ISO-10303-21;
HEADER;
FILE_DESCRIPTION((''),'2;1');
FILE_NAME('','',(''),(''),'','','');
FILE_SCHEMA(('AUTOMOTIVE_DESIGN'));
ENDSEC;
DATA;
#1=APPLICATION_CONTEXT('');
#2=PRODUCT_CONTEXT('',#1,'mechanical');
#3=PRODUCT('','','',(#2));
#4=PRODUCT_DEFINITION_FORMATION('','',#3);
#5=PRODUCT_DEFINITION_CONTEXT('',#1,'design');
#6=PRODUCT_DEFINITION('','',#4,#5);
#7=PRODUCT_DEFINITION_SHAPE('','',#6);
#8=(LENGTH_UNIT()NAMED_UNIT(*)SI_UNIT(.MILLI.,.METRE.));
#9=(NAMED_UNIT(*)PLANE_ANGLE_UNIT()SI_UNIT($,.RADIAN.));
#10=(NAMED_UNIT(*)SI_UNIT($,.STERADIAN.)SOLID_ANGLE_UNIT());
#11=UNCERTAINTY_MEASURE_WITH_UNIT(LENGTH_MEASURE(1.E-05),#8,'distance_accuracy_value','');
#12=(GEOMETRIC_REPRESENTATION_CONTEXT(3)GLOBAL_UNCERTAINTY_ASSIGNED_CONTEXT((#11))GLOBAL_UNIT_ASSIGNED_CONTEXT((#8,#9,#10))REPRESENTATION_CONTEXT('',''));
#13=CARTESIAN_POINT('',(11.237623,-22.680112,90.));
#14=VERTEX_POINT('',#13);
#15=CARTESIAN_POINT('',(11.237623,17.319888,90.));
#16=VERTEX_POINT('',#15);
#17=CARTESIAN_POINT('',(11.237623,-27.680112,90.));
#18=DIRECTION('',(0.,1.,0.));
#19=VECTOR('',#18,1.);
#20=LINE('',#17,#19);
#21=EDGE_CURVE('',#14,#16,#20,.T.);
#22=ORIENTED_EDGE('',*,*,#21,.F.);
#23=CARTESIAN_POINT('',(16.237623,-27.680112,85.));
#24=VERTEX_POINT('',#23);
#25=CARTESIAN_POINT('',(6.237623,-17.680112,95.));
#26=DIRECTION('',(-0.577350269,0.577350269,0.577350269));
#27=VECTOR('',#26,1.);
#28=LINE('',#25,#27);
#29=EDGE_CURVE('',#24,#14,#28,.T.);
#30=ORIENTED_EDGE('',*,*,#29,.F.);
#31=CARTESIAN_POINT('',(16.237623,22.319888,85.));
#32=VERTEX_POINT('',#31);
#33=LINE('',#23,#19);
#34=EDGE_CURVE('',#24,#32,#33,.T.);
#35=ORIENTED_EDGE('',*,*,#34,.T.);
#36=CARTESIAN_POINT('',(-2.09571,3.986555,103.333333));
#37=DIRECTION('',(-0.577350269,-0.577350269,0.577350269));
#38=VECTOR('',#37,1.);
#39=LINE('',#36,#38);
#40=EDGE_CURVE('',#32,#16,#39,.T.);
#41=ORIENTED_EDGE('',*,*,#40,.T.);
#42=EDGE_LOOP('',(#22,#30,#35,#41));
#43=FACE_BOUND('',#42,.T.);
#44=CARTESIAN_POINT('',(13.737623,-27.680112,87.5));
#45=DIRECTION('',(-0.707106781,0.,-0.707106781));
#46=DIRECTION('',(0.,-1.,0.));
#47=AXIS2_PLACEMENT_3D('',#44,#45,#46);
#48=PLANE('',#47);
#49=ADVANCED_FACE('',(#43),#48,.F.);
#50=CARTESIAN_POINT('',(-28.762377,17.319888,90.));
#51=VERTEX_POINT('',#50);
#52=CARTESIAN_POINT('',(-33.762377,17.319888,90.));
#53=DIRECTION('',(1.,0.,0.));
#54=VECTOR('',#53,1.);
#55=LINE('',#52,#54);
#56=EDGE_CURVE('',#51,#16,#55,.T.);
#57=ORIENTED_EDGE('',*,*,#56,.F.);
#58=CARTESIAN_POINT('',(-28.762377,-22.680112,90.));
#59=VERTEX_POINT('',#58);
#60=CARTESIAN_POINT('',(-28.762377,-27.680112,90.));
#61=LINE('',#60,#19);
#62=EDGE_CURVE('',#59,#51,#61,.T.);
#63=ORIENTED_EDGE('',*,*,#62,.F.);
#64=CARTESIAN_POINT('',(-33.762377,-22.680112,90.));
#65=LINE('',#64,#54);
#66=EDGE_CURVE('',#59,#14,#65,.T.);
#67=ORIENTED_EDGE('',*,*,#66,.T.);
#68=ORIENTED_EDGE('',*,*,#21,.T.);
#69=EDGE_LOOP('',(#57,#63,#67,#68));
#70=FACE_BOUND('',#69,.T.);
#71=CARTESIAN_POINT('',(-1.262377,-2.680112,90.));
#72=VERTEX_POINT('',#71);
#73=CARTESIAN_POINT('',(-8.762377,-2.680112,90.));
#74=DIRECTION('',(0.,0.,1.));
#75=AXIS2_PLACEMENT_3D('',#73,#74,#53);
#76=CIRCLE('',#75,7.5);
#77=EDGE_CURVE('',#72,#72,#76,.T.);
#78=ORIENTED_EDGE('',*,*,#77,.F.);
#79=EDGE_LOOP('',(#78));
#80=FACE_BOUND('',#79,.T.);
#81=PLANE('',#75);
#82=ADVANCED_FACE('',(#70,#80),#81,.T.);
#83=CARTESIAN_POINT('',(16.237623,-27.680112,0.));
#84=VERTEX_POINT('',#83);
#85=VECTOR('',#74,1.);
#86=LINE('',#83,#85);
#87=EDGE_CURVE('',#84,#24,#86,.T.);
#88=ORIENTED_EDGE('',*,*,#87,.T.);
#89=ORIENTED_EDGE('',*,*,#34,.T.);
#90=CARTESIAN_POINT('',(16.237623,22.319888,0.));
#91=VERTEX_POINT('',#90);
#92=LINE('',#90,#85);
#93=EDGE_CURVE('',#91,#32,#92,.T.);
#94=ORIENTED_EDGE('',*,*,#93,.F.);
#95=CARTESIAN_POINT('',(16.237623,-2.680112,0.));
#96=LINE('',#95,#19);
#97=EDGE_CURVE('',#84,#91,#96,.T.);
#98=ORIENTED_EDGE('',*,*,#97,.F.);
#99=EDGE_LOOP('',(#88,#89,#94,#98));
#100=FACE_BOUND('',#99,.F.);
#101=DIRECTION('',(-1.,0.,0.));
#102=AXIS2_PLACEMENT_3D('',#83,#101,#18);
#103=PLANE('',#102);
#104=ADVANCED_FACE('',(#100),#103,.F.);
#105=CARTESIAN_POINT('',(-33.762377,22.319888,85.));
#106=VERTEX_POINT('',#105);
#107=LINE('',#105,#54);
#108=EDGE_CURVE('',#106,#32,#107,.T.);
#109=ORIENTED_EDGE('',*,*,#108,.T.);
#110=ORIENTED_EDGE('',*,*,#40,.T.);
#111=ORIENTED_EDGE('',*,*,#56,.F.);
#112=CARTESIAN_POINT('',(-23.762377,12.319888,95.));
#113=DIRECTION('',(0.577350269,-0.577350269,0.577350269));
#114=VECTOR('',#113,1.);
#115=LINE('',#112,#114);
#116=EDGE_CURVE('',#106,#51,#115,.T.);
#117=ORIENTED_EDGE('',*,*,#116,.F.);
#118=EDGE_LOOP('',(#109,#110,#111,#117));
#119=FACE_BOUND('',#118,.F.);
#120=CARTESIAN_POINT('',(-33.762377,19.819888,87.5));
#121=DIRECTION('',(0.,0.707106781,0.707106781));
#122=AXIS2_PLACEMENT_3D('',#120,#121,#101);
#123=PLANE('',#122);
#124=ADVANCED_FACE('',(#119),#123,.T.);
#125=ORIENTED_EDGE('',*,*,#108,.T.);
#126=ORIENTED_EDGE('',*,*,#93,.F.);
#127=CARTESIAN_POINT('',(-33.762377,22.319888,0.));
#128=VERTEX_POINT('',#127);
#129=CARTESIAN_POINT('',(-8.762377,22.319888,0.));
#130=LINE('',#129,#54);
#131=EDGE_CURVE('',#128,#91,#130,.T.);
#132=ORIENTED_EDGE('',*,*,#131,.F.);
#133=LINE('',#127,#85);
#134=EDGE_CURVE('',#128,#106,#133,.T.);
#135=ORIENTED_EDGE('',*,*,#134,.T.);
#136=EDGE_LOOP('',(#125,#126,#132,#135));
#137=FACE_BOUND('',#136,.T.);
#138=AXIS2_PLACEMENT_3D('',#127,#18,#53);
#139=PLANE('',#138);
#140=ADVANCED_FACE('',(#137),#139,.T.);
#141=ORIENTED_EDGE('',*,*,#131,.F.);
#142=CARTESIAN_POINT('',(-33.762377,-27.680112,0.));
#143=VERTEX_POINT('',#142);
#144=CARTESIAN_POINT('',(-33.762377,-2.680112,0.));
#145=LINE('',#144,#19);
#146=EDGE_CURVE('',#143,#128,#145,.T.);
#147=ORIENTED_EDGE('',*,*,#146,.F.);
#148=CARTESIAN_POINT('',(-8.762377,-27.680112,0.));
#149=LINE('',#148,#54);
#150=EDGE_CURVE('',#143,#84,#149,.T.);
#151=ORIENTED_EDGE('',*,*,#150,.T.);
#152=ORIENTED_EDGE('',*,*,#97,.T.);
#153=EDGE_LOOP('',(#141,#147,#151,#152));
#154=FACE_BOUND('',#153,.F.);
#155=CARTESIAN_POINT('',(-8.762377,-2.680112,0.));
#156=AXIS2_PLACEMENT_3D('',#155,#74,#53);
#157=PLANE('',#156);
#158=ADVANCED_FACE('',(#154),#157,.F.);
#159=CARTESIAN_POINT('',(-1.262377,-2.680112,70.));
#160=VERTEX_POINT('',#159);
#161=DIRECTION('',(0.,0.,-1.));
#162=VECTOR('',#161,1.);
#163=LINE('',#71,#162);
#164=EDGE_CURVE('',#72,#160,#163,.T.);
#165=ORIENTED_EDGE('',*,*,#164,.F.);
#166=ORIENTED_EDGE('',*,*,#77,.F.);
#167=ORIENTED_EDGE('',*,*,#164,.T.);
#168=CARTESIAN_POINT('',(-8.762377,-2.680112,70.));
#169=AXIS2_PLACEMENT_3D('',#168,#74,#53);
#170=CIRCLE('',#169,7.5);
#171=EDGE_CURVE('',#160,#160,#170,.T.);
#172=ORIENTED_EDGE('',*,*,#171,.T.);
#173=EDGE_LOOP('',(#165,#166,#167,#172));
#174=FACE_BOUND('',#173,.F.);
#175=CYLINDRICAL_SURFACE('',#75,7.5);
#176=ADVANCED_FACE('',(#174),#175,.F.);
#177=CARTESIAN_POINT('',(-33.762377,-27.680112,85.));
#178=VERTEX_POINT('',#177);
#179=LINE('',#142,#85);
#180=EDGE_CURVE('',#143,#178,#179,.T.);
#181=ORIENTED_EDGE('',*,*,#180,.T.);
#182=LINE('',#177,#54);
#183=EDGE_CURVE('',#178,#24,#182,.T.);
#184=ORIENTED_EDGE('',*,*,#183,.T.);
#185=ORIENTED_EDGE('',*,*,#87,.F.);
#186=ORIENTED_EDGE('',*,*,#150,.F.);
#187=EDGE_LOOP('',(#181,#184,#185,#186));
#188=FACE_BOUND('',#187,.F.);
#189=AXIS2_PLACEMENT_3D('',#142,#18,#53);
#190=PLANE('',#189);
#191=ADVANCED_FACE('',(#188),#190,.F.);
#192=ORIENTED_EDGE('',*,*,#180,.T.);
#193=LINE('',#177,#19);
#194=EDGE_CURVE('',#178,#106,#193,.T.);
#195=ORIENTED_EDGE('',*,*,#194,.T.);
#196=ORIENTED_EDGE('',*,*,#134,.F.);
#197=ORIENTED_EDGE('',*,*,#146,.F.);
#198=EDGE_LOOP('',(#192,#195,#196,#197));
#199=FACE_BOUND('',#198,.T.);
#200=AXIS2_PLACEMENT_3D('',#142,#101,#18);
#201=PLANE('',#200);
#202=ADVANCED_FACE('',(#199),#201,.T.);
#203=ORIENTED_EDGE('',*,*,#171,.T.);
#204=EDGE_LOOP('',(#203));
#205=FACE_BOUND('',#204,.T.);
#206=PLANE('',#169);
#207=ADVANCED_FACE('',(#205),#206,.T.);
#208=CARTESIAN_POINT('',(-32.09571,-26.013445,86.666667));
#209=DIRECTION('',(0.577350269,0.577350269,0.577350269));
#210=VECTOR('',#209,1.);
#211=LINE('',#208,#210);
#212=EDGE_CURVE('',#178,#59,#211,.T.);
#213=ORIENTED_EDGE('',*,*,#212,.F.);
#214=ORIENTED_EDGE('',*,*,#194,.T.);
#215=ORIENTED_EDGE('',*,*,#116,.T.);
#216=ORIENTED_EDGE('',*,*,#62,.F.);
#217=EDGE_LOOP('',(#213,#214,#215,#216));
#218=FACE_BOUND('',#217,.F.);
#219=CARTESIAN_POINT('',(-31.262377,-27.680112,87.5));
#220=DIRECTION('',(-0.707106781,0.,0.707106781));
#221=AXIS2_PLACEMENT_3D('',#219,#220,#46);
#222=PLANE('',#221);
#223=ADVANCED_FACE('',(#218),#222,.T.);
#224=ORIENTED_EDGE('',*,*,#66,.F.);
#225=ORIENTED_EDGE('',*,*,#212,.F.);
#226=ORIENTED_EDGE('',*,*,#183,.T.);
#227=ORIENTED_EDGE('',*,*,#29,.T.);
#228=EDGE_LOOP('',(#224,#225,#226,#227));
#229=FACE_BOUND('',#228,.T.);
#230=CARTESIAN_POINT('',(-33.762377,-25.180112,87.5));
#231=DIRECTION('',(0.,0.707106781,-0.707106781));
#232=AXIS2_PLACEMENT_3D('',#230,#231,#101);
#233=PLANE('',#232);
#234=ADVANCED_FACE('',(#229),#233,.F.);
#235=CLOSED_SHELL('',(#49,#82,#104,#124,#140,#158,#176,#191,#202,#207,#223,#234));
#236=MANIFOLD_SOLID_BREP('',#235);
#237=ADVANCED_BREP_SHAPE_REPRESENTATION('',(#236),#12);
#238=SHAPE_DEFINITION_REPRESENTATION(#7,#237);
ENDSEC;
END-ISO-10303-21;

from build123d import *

# Parameters (mm, degrees)
F0_W     = 50
F0_H     = 50
F1_DEPTH = 90
F2_SIZE  = 5
F4_R     = 7.5
F5_DEPTH = 20


with BuildPart() as f1:
    # F0 (on Top) → F1 (new body)
    with BuildSketch(Plane.XY):
        with Locations((-8.762377, -2.680112)):
            Rectangle(F0_W, F0_H)
    extrude(amount=F1_DEPTH)

    # F2
    f2_edges = [f1.edges().sort_by_distance(p)[0] for p in [
        (-8.762377, 22.319888, 90),
        (-33.762377, -2.680112, 90),
        (-8.762377, -27.680112, 90),
        (16.237623, -2.680112, 90),
    ]]
    chamfer(f2_edges, length=F2_SIZE)

    # F4 (on face) → F5 (cut)
    with BuildSketch(Plane.XY.offset(90)):
        with Locations((-8.762377, -2.680112)):
            Circle(F4_R)
    extrude(amount=-F5_DEPTH, mode=Mode.SUBTRACT)


solid = f1.part
